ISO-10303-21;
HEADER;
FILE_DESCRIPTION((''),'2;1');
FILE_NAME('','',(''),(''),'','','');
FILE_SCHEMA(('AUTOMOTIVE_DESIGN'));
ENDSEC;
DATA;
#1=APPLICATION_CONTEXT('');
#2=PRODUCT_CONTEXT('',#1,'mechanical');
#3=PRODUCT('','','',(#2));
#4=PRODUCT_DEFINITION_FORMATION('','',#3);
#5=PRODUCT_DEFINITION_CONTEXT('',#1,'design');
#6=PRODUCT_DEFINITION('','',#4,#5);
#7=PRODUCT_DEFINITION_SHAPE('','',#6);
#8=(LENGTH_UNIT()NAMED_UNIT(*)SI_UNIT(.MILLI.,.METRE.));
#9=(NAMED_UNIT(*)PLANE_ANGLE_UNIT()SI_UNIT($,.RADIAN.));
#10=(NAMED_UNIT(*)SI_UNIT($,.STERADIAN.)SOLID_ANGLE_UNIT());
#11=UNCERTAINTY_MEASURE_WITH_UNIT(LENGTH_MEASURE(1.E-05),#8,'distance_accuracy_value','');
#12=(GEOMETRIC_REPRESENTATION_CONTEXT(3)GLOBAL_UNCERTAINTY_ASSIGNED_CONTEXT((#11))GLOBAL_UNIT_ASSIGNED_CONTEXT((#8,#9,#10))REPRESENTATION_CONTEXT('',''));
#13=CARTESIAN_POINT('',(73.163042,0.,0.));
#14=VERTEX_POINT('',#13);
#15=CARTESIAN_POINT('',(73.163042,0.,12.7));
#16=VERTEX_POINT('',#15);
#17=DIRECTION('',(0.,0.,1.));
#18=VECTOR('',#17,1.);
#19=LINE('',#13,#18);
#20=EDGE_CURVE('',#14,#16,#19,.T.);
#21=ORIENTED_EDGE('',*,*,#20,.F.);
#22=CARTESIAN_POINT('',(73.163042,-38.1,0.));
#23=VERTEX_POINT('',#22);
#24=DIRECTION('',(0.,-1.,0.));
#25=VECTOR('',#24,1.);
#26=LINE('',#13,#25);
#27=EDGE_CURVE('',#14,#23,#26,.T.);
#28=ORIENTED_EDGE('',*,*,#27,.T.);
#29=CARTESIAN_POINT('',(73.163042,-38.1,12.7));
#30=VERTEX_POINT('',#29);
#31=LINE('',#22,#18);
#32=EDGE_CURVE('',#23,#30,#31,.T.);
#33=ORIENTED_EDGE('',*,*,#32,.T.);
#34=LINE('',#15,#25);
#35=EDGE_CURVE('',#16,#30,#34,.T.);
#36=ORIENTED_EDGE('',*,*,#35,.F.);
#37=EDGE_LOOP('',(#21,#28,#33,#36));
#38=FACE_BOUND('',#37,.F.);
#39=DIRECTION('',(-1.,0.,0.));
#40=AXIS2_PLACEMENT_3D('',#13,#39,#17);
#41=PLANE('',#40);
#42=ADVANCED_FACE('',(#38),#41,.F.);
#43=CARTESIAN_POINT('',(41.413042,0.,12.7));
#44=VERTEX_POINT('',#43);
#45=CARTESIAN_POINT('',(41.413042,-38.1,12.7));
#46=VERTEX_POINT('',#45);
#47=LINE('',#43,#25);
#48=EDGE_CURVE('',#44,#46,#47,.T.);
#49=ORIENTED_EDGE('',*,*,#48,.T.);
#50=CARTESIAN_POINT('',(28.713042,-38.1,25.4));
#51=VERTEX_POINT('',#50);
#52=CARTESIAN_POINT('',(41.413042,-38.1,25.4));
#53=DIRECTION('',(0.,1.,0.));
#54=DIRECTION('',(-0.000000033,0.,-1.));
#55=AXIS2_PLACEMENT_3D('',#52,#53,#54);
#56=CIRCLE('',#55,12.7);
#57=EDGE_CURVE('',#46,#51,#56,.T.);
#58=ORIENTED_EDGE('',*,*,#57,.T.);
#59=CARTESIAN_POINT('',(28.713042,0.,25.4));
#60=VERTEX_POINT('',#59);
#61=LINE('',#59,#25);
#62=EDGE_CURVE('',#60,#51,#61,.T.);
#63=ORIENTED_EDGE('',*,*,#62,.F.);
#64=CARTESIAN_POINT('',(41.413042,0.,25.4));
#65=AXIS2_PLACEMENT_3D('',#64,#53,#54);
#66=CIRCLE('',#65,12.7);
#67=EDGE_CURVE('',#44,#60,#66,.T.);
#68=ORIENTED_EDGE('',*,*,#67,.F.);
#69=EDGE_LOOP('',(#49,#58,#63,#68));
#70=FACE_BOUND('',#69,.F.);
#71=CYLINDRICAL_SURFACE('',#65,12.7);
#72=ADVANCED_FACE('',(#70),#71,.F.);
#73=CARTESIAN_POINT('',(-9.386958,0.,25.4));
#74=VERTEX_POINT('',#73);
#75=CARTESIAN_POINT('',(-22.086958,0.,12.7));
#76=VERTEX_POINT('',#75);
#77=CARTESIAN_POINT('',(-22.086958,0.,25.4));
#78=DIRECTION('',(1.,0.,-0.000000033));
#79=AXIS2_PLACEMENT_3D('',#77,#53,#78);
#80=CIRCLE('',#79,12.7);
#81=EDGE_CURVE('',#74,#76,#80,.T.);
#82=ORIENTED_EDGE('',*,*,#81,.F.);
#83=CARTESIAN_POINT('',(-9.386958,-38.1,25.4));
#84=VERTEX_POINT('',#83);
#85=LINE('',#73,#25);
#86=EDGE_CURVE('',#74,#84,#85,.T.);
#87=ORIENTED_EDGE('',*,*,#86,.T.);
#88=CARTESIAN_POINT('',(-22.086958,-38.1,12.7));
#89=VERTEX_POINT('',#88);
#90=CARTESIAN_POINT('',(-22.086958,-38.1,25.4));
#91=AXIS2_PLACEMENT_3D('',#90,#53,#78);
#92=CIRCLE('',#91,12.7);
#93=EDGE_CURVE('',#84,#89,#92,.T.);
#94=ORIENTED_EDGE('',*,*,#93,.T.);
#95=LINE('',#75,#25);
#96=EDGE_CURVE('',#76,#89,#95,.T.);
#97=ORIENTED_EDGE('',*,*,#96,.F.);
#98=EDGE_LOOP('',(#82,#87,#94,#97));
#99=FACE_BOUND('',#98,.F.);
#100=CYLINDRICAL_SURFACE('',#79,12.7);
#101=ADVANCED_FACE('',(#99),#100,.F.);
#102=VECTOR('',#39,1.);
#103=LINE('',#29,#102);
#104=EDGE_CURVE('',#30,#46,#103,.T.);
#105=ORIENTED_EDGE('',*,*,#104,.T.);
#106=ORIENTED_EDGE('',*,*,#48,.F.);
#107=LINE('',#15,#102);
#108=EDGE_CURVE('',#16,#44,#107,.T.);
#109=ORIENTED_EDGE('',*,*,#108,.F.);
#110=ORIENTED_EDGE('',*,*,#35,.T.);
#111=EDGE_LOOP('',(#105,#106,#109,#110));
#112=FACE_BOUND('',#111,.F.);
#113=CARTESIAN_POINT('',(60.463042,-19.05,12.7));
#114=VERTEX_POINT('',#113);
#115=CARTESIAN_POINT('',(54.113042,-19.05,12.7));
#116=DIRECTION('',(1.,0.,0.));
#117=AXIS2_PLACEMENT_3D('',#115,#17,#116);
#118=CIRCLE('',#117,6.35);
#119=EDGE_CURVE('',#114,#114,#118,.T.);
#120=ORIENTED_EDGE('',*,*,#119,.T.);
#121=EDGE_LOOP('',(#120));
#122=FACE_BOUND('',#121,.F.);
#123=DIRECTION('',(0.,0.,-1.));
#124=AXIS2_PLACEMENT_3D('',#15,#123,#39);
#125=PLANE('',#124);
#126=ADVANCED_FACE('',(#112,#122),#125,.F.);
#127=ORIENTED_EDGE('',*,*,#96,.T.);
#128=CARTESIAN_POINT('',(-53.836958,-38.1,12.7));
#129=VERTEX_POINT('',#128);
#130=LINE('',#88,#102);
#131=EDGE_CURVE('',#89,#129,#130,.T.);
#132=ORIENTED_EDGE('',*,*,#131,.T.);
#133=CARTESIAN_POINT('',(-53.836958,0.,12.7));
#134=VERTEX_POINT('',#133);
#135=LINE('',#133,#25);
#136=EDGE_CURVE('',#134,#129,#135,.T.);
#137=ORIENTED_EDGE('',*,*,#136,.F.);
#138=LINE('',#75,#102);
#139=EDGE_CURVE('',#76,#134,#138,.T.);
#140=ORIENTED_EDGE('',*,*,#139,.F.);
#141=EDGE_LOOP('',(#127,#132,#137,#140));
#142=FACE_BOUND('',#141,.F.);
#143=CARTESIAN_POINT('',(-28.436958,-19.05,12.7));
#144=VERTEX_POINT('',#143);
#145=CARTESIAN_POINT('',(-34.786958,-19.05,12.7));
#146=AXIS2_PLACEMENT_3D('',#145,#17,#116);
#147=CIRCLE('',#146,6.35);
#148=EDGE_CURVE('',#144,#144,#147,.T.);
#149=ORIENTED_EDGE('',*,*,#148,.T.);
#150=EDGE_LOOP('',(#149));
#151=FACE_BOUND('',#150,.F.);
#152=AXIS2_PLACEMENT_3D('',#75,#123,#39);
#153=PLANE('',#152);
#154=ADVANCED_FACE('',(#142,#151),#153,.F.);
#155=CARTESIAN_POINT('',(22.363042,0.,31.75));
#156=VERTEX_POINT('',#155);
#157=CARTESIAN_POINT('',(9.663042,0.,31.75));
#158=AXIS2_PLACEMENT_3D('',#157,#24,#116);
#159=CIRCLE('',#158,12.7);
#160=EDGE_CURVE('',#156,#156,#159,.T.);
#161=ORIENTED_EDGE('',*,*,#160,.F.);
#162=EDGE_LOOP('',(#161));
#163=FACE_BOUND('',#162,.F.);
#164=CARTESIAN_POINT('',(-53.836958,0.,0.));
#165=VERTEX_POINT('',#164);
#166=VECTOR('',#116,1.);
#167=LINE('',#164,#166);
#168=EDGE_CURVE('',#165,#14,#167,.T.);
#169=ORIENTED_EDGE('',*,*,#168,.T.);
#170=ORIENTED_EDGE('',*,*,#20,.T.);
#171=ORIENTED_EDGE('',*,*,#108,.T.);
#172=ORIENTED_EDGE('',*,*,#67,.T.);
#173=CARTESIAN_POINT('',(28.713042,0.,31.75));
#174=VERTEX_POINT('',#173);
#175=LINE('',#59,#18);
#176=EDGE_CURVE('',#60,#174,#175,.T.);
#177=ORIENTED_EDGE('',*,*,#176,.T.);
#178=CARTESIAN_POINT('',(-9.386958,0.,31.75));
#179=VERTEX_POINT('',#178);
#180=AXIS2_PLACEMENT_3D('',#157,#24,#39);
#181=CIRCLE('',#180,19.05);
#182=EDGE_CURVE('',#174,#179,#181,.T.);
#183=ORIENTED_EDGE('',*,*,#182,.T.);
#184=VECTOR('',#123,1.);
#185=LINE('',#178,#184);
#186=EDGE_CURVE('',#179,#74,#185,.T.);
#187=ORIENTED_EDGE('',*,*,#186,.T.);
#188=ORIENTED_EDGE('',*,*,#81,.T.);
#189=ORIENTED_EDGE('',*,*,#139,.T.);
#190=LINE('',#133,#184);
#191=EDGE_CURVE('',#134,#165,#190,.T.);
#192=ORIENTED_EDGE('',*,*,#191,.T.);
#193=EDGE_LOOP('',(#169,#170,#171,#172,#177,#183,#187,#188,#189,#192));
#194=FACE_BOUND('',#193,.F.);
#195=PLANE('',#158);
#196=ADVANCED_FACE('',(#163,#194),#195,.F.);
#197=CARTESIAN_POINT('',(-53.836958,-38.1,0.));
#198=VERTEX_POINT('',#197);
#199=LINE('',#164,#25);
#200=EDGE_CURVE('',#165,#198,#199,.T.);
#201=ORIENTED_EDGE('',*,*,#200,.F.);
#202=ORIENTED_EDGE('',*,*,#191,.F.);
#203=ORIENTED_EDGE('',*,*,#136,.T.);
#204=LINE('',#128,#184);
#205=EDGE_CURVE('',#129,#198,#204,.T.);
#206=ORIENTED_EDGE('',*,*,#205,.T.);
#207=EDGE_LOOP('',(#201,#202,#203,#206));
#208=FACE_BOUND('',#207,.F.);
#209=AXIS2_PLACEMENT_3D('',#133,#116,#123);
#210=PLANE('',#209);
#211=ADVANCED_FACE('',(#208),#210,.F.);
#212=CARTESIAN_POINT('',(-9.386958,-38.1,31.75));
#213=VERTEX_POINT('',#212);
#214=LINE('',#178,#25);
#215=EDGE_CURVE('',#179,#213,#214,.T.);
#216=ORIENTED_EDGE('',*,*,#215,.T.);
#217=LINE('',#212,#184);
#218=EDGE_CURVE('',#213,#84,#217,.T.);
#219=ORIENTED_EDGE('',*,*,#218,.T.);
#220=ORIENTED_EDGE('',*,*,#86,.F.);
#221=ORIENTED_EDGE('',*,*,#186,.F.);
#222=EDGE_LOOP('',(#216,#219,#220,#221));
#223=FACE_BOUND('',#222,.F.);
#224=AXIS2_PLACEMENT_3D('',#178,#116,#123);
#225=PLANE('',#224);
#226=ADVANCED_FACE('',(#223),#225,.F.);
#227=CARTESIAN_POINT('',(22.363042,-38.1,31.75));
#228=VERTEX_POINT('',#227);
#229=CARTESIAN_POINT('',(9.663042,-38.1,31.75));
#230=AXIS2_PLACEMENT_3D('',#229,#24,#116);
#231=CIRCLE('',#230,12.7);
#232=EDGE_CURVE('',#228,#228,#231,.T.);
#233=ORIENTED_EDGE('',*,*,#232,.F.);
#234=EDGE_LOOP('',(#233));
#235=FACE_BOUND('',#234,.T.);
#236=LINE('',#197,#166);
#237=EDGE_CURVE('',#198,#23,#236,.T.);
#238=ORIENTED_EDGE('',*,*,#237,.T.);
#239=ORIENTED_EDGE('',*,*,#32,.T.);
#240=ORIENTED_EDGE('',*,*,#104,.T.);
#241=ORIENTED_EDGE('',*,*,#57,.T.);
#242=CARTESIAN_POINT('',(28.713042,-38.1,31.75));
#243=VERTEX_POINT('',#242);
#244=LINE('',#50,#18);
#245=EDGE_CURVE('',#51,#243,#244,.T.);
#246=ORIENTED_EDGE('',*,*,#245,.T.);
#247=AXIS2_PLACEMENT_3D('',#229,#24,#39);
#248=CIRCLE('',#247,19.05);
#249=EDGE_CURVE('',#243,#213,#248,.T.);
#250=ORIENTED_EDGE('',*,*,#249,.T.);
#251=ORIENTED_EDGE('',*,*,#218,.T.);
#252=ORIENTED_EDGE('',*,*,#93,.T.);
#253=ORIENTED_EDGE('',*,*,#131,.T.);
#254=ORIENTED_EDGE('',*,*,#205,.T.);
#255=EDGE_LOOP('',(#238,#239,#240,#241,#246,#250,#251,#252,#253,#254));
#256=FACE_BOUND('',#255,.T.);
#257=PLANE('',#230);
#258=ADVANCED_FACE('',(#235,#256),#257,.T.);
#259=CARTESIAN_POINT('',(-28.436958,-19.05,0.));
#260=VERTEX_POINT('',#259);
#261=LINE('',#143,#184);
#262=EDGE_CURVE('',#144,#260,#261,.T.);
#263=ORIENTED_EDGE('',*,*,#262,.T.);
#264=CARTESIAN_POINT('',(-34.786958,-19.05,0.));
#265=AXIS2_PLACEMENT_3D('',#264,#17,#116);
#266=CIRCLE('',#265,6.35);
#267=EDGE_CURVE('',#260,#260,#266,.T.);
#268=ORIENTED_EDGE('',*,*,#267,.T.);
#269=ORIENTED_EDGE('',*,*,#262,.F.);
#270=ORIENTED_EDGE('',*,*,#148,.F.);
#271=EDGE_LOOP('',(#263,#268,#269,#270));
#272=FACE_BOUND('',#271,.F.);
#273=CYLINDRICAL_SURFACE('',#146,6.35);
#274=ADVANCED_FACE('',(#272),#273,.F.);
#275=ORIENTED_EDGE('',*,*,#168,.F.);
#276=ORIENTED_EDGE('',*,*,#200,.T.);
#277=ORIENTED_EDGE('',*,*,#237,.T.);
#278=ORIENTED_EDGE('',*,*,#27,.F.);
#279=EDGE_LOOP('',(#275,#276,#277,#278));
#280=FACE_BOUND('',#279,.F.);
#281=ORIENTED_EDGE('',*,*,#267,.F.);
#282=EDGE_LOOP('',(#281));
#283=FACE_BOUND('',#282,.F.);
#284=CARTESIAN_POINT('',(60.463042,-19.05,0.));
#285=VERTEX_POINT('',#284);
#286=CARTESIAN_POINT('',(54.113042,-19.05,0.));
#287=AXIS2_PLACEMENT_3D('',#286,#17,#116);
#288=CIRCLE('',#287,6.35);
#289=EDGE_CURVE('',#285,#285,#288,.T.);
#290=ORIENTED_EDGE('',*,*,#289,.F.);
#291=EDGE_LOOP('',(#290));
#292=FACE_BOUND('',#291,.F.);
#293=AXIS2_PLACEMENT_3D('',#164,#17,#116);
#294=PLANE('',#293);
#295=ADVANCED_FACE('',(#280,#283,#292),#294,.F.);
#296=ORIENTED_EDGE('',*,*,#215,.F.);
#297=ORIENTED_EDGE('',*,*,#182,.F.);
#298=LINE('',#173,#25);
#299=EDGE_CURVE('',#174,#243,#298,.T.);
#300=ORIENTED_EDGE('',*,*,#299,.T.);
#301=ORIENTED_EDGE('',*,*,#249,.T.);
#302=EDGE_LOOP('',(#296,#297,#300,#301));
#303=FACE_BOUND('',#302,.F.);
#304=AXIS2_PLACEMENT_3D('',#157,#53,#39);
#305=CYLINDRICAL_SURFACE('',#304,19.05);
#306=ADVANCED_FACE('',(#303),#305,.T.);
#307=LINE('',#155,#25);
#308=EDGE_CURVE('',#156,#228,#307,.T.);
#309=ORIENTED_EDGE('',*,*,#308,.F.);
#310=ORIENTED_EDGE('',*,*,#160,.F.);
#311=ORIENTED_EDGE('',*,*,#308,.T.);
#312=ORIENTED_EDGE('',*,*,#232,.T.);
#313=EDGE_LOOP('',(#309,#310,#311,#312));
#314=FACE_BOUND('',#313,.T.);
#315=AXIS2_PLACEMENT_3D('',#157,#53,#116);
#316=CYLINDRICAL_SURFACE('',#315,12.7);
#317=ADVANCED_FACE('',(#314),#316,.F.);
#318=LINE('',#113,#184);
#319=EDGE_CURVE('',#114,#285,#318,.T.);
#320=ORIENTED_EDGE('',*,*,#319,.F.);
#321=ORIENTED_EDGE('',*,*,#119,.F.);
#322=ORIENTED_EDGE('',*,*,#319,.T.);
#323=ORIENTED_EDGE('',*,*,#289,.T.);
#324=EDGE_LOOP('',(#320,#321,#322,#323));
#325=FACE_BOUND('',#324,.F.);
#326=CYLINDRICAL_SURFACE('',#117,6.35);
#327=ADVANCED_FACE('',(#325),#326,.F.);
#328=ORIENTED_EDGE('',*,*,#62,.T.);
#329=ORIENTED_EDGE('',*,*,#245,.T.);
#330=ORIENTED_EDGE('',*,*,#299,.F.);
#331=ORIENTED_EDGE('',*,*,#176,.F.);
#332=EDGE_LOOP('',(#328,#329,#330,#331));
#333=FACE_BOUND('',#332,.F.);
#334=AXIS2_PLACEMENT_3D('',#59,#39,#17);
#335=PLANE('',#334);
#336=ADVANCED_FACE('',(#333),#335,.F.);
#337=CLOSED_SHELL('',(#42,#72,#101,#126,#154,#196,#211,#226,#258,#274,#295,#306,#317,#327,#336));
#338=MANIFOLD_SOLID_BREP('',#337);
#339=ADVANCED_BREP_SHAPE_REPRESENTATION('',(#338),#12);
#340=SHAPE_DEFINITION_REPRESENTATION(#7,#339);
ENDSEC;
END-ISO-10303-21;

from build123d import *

# Parameters (mm, degrees)
F0_R     = 12.7
F1_DEPTH = 38.1
F2_R     = 6.35
F3_DEPTH = 25.4


with BuildPart() as f1:
    # F0 (on Front) → F1 (new body)
    with BuildSketch(Plane.XZ):
        with BuildLine():
            ThreePointArc((28.713042, 31.75), (9.663042, 50.8), (-9.386958, 31.75))
            ThreePointArc((-9.386958, 31.75), (9.663042, 12.7), (28.713042, 31.75))
        make_face()
        with Locations((9.663042, 31.75)):
            Circle(F0_R, mode=Mode.SUBTRACT)
        with BuildLine():
            Line((-53.836958, 12.7), (-53.836958, 0))
            Line((-53.836958, 0), (73.163042, 0))
            Line((73.163042, 0), (73.163042, 12.7))
            Line((73.163042, 12.7), (41.413042, 12.7))
            ThreePointArc((41.413042, 12.7), (32.432786, 16.419744), (28.713042, 25.4))
            Line((28.713042, 25.4), (28.713042, 31.75))
            ThreePointArc((28.713042, 31.75), (9.663042, 12.7), (-9.386958, 31.75))
            Line((-9.386958, 31.75), (-9.386958, 25.4))
            ThreePointArc((-9.386958, 25.4), (-13.106702, 16.419744), (-22.086958, 12.7))
            Line((-22.086958, 12.7), (-53.836958, 12.7))
        make_face()
    extrude(amount=F1_DEPTH)

    # F2 (on face) → F3 (cut)
    with BuildSketch(Plane.XY.offset(12.7)):
        with Locations((54.113042, -19.05)):
            Circle(F2_R)
        with Locations((-34.786958, -19.05)):
            Circle(F2_R)
    extrude(amount=-F3_DEPTH, mode=Mode.SUBTRACT)


solid = f1.part
